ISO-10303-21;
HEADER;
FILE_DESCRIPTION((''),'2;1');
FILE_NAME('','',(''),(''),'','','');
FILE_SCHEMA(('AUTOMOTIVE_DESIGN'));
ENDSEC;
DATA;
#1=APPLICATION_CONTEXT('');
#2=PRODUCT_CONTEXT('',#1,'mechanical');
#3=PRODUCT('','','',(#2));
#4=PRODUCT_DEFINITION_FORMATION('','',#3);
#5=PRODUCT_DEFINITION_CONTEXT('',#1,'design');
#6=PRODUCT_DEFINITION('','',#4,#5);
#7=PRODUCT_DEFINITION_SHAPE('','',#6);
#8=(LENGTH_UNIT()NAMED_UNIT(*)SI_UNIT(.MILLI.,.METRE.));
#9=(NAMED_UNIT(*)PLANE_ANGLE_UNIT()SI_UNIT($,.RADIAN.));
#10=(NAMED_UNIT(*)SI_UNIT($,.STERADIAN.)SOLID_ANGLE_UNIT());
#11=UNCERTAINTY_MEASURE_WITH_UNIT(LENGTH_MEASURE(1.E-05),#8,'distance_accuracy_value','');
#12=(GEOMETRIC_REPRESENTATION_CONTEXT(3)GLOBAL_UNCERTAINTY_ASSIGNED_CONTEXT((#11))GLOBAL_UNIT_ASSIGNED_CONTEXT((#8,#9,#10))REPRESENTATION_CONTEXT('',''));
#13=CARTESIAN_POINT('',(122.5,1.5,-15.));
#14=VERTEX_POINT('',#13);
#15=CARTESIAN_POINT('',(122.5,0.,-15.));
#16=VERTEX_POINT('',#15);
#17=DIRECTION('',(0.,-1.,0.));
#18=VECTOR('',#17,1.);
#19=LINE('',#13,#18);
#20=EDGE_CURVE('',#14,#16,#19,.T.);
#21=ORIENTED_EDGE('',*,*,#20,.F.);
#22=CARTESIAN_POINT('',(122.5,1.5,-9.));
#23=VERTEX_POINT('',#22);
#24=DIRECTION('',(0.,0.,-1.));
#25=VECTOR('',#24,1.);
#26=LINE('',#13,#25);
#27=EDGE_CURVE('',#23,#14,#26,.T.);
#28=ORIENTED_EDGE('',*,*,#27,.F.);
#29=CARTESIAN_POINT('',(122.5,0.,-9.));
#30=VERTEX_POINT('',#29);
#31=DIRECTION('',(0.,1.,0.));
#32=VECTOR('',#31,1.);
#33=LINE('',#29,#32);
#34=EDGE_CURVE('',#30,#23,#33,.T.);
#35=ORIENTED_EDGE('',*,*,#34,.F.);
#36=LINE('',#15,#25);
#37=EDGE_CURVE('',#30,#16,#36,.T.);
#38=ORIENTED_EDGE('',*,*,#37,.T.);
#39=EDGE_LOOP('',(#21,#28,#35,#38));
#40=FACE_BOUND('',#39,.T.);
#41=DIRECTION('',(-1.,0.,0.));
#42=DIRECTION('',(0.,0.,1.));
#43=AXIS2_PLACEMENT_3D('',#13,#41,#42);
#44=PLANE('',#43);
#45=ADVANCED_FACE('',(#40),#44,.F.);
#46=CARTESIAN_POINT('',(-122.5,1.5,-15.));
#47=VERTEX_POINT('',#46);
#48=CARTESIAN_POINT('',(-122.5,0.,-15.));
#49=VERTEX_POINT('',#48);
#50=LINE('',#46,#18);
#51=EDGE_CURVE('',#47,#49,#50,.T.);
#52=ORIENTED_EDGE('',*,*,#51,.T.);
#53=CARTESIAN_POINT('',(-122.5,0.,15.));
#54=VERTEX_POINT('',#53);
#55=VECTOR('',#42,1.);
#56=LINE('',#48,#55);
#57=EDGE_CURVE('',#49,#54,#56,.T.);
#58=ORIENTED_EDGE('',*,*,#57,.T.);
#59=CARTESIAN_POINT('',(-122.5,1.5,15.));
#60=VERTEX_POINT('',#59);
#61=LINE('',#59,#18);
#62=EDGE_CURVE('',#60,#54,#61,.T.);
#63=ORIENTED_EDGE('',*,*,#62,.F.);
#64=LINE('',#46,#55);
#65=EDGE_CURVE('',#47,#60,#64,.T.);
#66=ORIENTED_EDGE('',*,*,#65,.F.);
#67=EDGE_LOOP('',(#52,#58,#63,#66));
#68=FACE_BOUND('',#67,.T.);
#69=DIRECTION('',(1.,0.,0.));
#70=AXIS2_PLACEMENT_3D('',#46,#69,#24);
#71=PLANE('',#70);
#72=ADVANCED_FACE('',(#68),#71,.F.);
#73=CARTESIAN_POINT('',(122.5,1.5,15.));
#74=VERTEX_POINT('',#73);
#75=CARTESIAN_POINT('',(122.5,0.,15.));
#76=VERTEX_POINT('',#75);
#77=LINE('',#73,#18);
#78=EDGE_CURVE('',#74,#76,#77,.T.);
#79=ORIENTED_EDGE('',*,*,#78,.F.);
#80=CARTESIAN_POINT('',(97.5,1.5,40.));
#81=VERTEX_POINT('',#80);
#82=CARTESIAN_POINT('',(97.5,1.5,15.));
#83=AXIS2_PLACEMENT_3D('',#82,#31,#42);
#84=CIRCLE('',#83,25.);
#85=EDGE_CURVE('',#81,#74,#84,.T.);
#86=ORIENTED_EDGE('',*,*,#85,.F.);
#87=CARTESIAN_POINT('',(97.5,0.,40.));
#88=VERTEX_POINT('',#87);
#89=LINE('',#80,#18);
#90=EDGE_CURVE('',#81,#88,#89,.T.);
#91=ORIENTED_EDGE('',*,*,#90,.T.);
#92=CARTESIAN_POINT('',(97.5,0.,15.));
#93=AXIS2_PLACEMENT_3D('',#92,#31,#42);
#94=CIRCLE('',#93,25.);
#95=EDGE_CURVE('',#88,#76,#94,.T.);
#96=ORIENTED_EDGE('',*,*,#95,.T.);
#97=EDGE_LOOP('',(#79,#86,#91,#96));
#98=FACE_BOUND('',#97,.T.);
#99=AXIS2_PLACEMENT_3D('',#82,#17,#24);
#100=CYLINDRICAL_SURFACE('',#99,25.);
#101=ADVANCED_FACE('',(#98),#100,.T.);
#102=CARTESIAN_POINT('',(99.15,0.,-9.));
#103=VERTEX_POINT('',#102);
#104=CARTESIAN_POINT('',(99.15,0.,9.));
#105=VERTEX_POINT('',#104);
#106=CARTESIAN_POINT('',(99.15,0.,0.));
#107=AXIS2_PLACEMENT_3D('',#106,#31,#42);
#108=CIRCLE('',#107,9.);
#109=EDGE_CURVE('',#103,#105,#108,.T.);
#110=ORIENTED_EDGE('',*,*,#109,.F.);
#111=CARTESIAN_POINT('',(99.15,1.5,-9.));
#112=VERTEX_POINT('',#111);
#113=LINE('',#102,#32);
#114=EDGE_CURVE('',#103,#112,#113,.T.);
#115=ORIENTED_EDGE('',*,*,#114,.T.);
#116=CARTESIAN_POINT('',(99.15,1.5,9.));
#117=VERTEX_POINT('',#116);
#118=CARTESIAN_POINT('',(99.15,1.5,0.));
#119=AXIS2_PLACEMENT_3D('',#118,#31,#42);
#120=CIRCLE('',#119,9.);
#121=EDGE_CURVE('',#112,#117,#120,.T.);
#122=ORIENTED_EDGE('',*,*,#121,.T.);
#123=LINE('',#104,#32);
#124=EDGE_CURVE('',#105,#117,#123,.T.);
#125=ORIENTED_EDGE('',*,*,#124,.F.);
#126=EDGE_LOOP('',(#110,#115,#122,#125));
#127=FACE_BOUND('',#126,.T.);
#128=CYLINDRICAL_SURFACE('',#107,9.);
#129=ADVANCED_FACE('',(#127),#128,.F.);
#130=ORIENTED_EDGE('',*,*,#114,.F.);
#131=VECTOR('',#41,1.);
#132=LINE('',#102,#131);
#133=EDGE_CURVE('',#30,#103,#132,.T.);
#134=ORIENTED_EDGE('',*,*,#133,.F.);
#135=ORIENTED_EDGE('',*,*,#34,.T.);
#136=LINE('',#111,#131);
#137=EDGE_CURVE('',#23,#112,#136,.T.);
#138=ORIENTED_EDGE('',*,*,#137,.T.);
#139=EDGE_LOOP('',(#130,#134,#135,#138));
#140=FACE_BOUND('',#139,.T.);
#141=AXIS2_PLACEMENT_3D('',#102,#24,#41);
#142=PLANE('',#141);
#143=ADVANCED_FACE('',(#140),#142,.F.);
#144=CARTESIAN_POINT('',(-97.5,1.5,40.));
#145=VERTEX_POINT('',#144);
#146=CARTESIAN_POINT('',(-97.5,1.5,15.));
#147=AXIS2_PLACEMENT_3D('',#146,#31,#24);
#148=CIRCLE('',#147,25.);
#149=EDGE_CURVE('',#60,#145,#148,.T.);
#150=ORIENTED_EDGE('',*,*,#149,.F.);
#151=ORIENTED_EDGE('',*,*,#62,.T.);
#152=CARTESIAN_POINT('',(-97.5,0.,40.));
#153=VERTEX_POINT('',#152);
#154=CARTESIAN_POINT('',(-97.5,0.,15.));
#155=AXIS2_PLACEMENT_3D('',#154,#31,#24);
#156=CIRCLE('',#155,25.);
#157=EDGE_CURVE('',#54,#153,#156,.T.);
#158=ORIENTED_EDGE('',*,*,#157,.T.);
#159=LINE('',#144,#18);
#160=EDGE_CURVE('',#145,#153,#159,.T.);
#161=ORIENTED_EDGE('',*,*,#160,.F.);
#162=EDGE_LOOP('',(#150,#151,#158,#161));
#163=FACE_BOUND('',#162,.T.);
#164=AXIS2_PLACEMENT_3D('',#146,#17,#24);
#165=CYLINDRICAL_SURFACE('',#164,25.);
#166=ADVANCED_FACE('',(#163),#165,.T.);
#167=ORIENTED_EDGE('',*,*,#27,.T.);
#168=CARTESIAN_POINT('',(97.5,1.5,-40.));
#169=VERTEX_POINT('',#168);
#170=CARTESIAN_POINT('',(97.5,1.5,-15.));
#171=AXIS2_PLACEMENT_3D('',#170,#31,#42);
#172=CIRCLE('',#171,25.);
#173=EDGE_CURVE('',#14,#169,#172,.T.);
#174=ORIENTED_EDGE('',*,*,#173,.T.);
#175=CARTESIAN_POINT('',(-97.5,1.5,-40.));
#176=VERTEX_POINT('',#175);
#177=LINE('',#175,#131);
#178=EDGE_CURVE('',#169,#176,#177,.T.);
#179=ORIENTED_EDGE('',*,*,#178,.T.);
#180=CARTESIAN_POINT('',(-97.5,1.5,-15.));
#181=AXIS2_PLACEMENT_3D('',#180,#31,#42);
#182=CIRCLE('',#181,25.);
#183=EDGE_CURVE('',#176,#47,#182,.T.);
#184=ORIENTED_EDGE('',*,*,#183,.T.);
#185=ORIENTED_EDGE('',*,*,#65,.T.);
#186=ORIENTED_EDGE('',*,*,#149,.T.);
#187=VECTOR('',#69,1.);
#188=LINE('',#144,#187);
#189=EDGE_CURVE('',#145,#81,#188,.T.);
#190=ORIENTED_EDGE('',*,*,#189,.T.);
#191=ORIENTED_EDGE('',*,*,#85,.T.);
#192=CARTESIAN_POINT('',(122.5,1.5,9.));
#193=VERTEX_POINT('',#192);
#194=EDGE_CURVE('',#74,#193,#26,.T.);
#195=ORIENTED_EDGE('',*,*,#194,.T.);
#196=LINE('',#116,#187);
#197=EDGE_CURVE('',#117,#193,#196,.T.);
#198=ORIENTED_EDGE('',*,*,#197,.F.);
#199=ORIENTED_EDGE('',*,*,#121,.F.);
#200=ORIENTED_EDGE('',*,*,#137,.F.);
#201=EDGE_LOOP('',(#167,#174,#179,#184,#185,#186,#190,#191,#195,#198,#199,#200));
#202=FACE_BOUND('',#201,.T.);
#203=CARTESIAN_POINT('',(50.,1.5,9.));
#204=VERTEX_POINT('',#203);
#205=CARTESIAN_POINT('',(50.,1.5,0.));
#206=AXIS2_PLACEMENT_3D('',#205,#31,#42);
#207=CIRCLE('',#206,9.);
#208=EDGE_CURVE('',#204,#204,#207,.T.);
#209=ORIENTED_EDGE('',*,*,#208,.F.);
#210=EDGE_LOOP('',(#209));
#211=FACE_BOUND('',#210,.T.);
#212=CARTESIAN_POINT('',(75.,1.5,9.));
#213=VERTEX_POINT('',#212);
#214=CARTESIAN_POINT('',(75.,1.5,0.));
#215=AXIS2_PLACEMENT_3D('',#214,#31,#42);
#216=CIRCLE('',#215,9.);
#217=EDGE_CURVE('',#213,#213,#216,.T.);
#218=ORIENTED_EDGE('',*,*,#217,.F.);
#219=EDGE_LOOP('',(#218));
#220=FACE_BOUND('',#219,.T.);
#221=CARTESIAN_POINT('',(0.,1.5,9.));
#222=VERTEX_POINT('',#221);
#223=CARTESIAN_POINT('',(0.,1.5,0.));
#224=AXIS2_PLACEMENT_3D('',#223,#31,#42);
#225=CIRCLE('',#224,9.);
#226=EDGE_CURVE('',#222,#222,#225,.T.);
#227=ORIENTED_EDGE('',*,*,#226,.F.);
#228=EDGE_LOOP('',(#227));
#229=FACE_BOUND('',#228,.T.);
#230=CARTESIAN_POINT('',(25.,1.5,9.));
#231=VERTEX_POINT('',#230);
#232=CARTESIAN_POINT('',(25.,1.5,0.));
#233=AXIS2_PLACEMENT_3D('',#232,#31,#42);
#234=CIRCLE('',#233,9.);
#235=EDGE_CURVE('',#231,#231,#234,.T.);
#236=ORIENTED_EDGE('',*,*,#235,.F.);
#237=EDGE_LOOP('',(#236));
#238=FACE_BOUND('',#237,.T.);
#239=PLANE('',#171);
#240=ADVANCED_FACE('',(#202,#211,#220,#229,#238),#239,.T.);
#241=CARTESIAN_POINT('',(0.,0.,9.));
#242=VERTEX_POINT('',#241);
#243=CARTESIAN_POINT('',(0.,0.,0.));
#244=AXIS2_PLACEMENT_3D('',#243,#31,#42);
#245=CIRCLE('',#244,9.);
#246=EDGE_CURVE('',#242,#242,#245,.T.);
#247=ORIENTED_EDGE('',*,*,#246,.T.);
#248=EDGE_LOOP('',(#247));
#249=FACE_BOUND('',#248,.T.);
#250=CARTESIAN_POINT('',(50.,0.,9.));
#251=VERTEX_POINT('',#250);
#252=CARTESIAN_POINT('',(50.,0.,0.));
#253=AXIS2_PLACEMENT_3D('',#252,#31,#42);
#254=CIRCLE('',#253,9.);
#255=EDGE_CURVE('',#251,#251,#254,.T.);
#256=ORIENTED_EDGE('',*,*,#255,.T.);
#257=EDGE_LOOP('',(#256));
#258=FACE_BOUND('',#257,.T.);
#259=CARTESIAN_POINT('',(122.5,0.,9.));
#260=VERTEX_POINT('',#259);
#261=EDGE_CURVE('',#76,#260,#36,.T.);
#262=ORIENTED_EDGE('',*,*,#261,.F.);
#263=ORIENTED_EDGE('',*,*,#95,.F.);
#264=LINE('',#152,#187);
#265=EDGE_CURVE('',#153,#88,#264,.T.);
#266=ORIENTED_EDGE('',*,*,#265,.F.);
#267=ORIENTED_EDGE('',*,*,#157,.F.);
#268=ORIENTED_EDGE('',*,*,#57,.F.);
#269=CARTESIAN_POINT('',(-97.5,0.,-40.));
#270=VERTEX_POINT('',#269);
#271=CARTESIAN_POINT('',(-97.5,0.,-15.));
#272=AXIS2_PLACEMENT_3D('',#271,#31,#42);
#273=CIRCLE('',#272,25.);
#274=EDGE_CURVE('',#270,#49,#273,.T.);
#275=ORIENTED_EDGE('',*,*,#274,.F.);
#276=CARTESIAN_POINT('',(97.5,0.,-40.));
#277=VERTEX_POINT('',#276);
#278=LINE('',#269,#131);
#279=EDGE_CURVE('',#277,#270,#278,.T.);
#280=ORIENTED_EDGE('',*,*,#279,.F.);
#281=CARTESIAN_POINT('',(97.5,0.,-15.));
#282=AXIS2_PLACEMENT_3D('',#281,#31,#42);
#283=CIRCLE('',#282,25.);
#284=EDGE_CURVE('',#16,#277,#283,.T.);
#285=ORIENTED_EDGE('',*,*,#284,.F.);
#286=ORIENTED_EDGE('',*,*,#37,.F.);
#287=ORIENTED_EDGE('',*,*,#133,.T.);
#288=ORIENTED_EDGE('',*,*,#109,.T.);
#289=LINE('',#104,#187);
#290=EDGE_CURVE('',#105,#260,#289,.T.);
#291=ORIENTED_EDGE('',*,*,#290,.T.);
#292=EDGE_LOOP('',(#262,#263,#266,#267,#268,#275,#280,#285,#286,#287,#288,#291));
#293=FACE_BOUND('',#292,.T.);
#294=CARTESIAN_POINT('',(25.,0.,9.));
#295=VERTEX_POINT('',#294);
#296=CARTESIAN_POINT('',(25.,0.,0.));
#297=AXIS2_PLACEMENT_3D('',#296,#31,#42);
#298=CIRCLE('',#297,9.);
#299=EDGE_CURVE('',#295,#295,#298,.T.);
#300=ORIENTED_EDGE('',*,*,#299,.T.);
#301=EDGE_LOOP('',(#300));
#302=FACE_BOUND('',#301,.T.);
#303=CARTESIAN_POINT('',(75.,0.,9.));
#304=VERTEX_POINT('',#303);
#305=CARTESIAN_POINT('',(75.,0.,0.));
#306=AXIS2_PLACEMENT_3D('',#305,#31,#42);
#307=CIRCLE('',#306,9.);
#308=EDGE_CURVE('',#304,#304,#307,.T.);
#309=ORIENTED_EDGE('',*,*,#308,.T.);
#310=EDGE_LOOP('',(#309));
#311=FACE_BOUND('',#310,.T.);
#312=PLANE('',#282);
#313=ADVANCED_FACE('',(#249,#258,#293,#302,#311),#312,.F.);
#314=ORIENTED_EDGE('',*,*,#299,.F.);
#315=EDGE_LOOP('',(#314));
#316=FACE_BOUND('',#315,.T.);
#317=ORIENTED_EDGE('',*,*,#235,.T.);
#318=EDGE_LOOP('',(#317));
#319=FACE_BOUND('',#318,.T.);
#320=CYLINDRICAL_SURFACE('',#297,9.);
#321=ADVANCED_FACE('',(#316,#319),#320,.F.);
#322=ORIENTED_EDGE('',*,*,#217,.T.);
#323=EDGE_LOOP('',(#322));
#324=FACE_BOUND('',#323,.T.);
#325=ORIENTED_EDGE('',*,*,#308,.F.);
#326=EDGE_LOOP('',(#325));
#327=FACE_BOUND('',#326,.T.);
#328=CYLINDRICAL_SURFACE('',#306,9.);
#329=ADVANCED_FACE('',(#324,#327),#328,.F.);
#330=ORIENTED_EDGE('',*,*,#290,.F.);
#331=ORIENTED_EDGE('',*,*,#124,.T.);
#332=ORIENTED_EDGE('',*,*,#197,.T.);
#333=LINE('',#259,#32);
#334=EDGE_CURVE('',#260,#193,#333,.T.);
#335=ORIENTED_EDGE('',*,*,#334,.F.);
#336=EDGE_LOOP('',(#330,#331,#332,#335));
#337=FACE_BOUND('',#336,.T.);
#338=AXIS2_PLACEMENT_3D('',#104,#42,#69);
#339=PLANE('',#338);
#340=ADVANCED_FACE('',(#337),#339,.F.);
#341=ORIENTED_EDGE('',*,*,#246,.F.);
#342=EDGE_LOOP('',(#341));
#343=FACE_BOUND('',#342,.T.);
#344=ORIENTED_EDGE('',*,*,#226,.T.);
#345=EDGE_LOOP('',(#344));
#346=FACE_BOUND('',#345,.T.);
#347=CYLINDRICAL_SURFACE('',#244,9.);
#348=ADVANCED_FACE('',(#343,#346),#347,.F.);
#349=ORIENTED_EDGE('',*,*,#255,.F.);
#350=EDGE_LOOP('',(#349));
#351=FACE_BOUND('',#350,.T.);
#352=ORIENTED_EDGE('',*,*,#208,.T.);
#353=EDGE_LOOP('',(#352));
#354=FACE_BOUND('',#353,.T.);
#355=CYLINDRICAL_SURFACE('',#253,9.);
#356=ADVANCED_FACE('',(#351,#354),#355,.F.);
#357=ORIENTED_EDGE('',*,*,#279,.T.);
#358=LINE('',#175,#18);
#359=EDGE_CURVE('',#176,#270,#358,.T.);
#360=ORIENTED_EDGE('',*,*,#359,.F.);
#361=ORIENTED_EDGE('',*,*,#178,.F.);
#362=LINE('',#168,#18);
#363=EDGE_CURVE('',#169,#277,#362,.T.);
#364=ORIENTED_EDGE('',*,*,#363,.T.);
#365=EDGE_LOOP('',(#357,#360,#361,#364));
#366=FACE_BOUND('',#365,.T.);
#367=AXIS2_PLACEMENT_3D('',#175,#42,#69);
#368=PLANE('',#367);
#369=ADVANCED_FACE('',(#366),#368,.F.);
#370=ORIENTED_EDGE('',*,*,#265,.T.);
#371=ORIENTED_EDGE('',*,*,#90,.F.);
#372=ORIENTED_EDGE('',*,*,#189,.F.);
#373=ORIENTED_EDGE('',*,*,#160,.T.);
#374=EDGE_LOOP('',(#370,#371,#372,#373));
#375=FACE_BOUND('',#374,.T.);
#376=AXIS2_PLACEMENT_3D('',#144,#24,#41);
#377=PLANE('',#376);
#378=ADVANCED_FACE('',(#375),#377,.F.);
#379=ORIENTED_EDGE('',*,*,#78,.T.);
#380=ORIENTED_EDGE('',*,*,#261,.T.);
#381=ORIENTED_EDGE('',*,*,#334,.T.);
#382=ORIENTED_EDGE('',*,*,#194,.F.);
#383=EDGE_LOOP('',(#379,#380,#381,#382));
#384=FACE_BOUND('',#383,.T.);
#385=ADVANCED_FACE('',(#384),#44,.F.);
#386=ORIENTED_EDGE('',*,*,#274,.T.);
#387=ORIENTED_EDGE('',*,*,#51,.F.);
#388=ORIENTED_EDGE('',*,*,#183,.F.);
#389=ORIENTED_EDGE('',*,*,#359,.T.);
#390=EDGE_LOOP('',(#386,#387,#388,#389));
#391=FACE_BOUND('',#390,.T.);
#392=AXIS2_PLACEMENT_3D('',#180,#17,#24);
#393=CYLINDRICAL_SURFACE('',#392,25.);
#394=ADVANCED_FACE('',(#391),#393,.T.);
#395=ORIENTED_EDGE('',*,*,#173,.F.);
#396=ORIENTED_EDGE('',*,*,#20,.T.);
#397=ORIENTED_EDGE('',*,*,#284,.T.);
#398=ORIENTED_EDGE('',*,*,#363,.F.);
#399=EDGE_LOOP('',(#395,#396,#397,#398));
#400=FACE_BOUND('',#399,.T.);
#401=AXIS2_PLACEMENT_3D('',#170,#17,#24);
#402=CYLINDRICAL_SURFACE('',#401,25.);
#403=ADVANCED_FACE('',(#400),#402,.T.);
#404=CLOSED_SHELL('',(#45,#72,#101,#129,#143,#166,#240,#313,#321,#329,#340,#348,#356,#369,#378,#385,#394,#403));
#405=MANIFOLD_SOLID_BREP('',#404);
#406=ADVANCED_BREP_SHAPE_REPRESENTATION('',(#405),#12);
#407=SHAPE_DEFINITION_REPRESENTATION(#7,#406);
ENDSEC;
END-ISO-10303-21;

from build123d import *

# Parameters (mm, degrees)
BOSS_EXTRUDE1_DEPTH = 1.5
SKETCH2_R           = 9
CUT_EXTRUDE3_DEPTH  = 1.5


with BuildPart() as part:
    # Sketch1 → Boss-Extrude1 (new body)
    with BuildSketch(Plane(origin=(0, 0, 0), x_dir=(1, 0, 0), z_dir=(0, 1, 0))):
        with BuildLine():
            Line((-97.5, 40), (97.5, 40))
            ThreePointArc((97.5, 40), (115.17766953, 32.67766953), (122.5, 15))
            Line((122.5, 15), (122.5, -15))
            ThreePointArc((122.5, -15), (115.17766953, -32.67766953), (97.5, -40))
            Line((97.5, -40), (-97.5, -40))
            ThreePointArc((-97.5, -40), (-115.17766953, -32.67766953), (-122.5, -15))
            Line((-122.5, -15), (-122.5, 15))
            ThreePointArc((-122.5, 15), (-115.17766953, 32.67766953), (-97.5, 40))
        make_face()
    extrude(amount=BOSS_EXTRUDE1_DEPTH)

    # Sketch2 → Cut-Extrude3 (cut)
    with BuildSketch(Plane(origin=(0, 1.5, 0), x_dir=(1, 0, 0), z_dir=(0, 1, 0))):
        with Locations(Location((75, 0, 0), (0, 0, 270))):
            Circle(SKETCH2_R)
        with Locations(Location((50, 0, 0), (0, 0, 270))):
            Circle(SKETCH2_R)
        with Locations(Location((25, 0, 0), (0, 0, 270))):
            Circle(SKETCH2_R)
        with Locations(Location((0, 0, 0), (0, 0, 270))):
            Circle(SKETCH2_R)
        with BuildLine():
            Line((99.15, -9), (122.5, -9))
            Line((122.5, -9), (122.5, 9))
            Line((122.5, 9), (99.15, 9))
            ThreePointArc((99.15, 9), (90.15, 0), (99.15, -9))
        make_face()
    extrude(amount=-CUT_EXTRUDE3_DEPTH, mode=Mode.SUBTRACT)


solid = part.part
